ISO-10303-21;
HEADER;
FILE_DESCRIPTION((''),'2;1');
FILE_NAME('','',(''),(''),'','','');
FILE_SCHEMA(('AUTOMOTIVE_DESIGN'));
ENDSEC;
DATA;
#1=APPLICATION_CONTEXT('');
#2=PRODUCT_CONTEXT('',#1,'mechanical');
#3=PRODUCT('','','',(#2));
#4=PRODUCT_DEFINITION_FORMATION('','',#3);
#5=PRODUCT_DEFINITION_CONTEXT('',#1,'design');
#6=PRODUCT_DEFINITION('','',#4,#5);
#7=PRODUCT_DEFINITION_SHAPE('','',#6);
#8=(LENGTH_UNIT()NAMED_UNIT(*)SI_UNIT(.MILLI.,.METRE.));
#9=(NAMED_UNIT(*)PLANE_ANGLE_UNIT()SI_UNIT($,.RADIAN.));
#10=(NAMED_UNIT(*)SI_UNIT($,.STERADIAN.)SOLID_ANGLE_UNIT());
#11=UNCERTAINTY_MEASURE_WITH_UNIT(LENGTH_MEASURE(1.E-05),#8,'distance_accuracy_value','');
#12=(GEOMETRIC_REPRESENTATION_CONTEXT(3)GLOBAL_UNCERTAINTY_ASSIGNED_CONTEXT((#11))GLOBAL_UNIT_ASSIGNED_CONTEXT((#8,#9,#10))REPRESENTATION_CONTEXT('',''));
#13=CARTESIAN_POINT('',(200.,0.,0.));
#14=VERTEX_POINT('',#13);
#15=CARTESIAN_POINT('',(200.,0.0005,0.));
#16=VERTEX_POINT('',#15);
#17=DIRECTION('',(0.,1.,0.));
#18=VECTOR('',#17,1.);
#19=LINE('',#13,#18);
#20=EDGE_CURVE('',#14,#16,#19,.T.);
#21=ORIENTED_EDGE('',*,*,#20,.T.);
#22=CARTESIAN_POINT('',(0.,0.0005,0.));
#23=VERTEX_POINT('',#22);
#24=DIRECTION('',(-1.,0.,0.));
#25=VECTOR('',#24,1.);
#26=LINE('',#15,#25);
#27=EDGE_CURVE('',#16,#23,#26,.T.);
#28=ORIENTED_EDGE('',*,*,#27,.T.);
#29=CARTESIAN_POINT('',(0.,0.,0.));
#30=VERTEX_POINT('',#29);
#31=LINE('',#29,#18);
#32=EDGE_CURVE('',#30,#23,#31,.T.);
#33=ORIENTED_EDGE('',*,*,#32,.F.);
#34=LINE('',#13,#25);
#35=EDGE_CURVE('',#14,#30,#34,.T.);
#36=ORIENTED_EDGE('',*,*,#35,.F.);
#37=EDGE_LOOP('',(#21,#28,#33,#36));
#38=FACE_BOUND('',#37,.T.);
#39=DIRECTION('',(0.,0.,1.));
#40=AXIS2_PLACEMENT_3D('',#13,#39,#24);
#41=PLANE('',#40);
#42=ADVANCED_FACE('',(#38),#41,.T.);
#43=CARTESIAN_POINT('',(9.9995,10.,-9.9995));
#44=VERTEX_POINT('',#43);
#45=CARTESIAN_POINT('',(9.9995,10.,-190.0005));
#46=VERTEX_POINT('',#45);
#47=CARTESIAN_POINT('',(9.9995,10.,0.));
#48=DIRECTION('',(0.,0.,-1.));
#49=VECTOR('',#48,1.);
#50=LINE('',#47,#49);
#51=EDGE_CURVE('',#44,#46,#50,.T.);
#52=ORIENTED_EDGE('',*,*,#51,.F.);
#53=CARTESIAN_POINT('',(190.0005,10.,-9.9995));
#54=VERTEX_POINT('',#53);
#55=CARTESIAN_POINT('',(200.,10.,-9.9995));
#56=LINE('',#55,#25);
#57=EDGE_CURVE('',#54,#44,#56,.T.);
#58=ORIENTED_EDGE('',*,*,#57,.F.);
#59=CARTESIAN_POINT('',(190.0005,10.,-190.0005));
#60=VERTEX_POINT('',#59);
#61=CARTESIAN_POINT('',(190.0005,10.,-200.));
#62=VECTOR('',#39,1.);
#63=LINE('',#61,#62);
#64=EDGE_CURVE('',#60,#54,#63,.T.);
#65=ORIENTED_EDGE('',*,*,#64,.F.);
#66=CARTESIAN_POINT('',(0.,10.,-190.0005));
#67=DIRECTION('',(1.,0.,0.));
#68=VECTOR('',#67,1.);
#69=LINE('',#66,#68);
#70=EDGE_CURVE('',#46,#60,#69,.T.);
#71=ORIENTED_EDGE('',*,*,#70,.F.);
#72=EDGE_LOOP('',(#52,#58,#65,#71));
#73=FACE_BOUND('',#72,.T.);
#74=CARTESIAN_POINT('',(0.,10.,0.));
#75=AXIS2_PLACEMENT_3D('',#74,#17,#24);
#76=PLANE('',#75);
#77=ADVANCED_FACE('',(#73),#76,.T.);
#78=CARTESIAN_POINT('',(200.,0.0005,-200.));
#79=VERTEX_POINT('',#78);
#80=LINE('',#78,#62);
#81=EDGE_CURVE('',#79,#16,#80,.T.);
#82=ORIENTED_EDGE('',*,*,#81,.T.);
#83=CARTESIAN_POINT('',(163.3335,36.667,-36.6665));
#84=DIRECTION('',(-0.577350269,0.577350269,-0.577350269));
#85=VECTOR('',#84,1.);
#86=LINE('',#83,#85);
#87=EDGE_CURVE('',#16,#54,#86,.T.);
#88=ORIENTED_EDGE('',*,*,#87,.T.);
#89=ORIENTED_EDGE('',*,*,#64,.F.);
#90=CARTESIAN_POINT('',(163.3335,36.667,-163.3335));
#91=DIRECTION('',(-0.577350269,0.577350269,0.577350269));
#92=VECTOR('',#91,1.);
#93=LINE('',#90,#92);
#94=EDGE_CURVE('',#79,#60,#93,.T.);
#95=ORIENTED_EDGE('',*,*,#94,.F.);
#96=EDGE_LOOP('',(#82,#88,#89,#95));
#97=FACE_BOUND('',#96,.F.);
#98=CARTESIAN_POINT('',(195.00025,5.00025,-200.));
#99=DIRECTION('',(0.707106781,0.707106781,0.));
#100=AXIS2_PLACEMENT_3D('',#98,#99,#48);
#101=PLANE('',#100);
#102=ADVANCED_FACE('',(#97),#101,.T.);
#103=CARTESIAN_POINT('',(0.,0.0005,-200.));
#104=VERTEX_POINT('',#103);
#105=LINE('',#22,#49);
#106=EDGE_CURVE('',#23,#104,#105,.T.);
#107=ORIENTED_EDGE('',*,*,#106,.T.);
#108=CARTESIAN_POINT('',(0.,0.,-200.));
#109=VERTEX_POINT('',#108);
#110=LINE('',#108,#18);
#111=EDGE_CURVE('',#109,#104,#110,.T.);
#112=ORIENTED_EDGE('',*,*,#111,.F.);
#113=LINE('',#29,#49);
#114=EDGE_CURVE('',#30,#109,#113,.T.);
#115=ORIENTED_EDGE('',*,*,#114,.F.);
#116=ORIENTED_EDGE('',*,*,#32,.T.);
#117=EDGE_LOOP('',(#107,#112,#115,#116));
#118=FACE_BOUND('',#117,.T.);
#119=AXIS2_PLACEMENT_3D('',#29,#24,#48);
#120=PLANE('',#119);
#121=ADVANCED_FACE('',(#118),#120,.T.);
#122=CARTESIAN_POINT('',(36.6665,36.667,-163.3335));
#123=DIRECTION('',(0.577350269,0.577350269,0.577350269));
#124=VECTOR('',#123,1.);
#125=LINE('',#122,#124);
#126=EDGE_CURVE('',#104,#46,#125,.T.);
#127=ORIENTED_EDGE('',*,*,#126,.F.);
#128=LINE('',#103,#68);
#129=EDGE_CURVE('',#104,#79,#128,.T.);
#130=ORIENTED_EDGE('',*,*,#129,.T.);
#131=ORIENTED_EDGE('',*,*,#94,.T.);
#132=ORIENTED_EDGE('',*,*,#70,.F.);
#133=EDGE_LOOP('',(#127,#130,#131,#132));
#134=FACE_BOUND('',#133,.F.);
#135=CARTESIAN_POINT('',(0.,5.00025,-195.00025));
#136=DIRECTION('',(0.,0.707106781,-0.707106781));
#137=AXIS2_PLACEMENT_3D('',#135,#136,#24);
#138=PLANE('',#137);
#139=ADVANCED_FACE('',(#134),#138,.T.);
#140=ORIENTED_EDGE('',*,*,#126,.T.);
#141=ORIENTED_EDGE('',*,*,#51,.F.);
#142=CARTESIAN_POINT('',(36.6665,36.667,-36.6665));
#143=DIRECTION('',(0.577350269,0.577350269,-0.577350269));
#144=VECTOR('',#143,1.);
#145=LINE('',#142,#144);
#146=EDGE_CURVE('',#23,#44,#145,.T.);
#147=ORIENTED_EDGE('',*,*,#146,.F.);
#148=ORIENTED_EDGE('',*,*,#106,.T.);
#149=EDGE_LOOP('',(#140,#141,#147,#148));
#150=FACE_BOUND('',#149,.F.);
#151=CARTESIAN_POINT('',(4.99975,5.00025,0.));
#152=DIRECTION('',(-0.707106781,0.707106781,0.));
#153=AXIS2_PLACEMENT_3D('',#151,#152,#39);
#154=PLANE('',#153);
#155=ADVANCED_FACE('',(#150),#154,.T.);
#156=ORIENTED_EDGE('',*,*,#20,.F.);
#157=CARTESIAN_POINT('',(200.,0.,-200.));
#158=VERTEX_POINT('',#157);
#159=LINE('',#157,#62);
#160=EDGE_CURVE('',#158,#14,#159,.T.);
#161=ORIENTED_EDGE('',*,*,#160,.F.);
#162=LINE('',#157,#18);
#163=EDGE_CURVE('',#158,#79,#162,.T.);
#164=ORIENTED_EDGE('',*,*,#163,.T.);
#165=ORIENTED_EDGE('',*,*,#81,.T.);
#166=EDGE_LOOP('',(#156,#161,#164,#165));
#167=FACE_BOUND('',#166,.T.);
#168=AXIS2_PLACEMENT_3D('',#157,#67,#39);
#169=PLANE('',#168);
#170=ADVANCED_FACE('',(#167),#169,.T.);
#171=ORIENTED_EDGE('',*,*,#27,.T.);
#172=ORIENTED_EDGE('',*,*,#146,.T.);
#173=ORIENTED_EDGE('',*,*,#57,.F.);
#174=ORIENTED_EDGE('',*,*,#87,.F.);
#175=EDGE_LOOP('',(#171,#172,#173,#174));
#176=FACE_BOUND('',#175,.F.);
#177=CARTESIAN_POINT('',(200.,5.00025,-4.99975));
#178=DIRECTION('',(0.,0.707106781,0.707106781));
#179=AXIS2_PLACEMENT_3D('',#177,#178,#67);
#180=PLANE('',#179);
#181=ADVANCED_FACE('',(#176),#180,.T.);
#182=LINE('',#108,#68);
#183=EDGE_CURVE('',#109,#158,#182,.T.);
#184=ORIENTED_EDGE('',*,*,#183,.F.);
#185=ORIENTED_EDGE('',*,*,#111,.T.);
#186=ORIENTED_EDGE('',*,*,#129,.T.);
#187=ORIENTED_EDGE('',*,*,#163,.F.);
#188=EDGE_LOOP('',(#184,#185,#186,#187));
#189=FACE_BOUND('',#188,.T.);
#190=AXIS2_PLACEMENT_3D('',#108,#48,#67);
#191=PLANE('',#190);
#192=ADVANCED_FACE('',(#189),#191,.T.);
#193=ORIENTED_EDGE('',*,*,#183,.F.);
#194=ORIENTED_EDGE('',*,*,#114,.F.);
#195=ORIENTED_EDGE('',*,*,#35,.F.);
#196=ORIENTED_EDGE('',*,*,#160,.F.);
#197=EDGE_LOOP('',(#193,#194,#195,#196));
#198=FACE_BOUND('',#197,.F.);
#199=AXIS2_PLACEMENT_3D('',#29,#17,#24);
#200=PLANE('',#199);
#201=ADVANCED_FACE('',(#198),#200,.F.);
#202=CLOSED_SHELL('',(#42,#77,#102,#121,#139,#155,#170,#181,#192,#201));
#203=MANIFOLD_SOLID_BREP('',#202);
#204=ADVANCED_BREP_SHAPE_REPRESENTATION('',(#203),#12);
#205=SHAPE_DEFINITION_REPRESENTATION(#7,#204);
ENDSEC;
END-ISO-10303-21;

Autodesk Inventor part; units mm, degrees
ref_plane "YZ Plane" through (0, 0, 0) normal (1, 0, 0) x (0, 1, 0)
ref_plane "XZ Plane" through (0, 0, 0) normal (0, 1, 0) x (-1, 0, 0)
ref_plane "XY Plane" through (0, 0, 0) normal (0, 0, 1) x (1, 0, 0)
sketch "Sketch1" plane through (0, 0, 0) normal (0, 1, 0) x (-1, 0, 0)
  line L0 (0, -200) -> (-200, -200)
  line L1 (-200, -200) -> (-200, 0)
  line L2 (-200, 0) -> (0, 0)
  line L3 (0, 0) -> (0, -200)
  dimension "d0" = 200
  dimension "d1" = 200
extrude "Extrusion1" add sketch "Sketch1" along normal blind 10
chamfer "Chamfer1" distance 10 angle 45 4 edges at (100, 10, 0) (0, 10, -100) (200, 10, -100) (100, 10, -200)
properties part number "base"
